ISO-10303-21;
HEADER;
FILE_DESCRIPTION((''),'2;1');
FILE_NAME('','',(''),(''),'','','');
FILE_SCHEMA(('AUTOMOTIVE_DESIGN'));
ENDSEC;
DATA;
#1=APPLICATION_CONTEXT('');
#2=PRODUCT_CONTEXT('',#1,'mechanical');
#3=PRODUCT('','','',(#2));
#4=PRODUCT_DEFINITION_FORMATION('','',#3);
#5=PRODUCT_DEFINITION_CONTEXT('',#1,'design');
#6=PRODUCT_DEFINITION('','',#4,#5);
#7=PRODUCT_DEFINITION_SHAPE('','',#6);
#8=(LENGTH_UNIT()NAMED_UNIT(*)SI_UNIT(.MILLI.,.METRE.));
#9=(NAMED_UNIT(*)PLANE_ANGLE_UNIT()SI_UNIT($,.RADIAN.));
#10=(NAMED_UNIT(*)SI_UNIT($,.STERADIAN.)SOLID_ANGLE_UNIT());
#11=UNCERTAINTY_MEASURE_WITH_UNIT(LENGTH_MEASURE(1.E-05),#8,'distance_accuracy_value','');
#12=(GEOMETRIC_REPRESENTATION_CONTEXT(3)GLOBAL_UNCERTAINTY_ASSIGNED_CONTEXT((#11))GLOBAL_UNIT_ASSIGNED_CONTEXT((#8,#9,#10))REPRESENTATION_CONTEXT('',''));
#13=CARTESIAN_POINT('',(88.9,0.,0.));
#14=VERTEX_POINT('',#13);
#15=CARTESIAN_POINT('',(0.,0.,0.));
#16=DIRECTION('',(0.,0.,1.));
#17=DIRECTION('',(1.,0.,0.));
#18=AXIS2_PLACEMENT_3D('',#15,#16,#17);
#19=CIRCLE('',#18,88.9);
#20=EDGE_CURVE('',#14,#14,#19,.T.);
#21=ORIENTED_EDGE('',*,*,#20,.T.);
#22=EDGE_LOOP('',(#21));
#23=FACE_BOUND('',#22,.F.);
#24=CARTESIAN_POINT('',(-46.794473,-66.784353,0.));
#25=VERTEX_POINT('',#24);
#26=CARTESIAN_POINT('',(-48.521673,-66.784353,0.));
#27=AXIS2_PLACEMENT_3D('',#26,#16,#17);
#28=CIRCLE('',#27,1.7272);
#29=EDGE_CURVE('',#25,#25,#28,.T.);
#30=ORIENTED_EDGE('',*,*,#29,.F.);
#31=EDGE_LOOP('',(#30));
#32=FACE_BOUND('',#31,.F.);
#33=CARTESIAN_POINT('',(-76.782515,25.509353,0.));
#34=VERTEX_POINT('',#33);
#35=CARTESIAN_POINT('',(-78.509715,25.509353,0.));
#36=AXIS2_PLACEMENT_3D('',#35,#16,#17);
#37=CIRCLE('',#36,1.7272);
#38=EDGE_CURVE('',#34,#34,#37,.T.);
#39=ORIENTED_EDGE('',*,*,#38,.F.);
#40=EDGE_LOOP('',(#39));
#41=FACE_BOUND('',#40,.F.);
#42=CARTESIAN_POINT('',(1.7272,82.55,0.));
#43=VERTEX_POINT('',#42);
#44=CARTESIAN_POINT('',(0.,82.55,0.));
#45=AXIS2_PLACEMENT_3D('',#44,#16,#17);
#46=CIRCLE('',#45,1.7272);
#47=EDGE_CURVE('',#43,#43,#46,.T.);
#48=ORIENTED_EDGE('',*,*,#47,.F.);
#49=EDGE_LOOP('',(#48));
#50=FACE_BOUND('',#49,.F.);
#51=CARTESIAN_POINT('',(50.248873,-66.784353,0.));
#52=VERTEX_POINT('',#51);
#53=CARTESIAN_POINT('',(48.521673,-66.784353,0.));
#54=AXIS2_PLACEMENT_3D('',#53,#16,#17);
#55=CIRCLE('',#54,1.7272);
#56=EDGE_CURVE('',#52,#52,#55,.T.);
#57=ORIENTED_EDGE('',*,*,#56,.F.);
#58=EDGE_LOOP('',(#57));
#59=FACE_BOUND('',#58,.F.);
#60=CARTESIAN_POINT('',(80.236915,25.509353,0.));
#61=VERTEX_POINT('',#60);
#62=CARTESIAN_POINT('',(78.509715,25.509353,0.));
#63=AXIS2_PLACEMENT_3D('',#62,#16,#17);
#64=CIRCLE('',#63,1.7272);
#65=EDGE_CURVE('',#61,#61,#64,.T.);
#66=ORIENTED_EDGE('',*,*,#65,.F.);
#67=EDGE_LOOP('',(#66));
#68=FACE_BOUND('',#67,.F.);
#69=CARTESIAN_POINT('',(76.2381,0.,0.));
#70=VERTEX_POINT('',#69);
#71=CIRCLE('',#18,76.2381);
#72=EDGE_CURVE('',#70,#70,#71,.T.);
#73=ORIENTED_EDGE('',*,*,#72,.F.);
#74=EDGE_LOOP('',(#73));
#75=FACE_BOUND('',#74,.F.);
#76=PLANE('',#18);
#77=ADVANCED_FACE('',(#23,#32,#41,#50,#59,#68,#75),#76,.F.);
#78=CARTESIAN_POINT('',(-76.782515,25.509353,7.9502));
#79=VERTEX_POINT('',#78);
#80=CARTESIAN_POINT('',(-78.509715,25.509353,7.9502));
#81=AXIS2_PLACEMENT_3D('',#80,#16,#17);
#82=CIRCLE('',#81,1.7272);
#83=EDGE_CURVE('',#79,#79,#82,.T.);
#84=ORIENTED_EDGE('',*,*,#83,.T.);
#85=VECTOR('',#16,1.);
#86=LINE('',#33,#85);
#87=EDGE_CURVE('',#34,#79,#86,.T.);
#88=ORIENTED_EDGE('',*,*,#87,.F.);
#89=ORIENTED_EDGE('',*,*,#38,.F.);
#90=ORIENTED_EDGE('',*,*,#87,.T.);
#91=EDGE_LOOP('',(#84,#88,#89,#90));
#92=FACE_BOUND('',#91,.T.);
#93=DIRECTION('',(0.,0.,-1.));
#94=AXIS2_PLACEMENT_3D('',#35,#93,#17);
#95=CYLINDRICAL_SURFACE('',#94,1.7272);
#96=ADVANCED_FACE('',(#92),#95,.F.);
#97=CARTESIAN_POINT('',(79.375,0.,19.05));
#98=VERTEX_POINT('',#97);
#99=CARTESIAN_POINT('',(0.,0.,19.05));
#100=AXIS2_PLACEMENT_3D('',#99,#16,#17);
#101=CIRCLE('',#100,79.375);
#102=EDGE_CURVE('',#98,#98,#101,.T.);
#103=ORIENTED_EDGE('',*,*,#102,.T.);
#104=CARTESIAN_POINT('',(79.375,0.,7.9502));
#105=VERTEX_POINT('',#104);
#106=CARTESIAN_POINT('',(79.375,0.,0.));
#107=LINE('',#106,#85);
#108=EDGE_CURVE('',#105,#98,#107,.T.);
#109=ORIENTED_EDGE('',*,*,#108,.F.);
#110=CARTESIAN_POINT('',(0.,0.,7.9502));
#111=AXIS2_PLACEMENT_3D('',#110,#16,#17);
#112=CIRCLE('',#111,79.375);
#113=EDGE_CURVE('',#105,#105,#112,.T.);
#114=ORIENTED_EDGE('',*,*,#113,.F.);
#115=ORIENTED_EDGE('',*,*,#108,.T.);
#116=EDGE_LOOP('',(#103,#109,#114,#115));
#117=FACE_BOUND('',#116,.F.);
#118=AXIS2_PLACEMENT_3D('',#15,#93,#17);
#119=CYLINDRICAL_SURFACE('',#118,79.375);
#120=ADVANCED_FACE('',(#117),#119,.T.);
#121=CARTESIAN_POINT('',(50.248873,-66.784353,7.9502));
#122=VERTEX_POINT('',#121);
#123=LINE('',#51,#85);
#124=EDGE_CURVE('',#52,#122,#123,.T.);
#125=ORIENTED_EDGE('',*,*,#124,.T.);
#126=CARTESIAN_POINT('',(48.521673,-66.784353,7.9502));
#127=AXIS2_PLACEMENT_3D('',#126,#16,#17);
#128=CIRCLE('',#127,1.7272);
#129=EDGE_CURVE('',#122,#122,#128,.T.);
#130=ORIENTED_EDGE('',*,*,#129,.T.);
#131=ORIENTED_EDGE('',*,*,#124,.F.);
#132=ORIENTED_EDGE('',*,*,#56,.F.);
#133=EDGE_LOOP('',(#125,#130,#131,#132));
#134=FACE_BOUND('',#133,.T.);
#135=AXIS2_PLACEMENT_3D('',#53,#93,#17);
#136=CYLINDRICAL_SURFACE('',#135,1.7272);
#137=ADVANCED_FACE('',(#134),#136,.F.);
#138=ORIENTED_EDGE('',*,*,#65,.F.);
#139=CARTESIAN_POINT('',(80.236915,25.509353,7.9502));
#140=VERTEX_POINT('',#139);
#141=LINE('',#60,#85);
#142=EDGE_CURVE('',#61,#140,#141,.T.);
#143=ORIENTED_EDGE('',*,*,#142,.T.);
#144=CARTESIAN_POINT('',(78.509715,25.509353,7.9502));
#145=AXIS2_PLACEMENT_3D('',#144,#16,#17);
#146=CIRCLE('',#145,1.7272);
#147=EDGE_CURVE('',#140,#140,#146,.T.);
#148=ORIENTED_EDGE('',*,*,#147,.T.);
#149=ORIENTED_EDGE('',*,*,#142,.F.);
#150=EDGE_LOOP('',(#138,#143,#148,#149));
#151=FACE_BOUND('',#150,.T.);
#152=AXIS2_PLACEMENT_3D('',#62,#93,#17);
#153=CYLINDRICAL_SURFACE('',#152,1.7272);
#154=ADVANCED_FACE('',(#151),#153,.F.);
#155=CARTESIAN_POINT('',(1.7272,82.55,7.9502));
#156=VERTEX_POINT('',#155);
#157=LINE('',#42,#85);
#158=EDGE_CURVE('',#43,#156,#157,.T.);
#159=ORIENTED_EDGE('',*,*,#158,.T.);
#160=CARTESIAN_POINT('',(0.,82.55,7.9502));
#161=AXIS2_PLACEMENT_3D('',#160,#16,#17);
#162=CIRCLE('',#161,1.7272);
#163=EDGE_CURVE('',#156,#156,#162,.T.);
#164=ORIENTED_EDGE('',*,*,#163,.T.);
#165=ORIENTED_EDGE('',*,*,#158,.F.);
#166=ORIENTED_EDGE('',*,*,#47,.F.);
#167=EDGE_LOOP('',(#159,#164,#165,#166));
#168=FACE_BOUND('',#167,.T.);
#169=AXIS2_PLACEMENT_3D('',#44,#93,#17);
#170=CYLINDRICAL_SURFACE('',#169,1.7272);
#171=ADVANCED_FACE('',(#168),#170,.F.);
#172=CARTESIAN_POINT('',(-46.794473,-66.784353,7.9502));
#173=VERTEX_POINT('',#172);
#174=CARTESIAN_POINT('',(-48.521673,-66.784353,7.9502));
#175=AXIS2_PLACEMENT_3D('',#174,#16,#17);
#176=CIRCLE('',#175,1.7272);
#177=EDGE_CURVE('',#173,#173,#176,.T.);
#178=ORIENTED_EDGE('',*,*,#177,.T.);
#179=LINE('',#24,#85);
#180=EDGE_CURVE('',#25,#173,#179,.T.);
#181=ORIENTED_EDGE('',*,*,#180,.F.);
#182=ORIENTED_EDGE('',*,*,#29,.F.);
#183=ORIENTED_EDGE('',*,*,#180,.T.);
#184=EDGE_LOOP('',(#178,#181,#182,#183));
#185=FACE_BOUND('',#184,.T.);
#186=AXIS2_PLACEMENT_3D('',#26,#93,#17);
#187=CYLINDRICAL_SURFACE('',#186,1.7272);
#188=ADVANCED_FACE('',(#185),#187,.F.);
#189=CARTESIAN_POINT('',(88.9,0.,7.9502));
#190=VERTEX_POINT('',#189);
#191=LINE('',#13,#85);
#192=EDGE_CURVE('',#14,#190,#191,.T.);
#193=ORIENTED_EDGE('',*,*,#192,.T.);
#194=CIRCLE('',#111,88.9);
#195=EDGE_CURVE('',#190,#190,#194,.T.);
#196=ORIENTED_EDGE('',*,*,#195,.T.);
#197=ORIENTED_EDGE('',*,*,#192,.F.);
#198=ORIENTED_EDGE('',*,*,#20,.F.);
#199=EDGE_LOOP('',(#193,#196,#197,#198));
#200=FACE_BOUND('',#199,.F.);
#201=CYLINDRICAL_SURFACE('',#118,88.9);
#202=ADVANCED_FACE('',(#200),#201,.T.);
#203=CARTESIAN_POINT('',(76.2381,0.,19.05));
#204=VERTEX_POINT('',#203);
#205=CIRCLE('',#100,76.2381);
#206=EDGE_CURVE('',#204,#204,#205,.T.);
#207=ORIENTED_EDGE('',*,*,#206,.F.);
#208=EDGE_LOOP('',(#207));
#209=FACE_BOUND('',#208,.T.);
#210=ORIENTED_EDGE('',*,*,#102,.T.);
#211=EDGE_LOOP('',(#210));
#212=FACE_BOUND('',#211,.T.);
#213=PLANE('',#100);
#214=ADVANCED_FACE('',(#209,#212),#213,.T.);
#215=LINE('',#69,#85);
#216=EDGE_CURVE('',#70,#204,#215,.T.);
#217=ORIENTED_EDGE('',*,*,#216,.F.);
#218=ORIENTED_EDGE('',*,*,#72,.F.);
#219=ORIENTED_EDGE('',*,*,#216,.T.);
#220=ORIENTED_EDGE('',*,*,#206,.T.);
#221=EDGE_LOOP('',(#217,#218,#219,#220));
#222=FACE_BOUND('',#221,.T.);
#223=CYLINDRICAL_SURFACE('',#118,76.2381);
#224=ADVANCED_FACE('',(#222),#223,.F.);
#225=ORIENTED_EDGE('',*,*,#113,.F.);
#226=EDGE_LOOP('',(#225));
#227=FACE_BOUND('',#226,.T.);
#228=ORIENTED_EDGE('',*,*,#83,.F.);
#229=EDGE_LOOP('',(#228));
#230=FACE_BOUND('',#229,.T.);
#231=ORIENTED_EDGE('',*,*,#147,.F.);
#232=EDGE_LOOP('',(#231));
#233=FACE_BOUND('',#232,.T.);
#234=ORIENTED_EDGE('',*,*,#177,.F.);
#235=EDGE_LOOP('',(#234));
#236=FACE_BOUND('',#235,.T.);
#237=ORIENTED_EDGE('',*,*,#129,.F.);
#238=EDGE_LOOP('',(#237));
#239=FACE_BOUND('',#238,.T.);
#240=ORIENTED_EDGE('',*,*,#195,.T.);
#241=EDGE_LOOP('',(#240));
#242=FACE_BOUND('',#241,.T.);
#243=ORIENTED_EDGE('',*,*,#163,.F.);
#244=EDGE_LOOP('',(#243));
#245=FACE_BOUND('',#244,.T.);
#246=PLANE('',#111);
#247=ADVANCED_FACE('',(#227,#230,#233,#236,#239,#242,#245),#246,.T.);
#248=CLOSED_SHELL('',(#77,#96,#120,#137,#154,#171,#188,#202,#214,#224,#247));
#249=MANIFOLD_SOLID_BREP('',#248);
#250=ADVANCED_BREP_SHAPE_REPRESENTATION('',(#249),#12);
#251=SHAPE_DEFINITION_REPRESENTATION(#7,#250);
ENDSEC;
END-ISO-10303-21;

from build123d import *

# Parameters (mm, degrees)
F0_R     = 79.375
F0_R_2   = 76.2381
F0_R_3   = 88.9
F0_R_4   = 1.7272
F1_DEPTH = 7.9502
F2_DEPTH = 19.05


with BuildPart() as f1:
    # F0 (on Top) → F1 (new body)
    with BuildSketch(Plane.XY):
        Circle(F0_R)
        Circle(F0_R_2, mode=Mode.SUBTRACT)
        Circle(F0_R_3)
        with Locations((-48.521673, -66.784353)):
            Circle(F0_R_4, mode=Mode.SUBTRACT)
        with Locations((48.521673, -66.784353)):
            Circle(F0_R_4, mode=Mode.SUBTRACT)
        with Locations((-78.509715, 25.509353)):
            Circle(F0_R_4, mode=Mode.SUBTRACT)
        Circle(F0_R, mode=Mode.SUBTRACT)
        with Locations((78.509715, 25.509353)):
            Circle(F0_R_4, mode=Mode.SUBTRACT)
        with Locations((0, 82.55)):
            Circle(F0_R_4, mode=Mode.SUBTRACT)
    extrude(amount=F1_DEPTH)

    # F0 (on Top) → F2 (join)
    with BuildSketch(Plane.XY):
        Circle(F0_R)
        Circle(F0_R_2, mode=Mode.SUBTRACT)
    extrude(amount=F2_DEPTH)


solid = f1.part
